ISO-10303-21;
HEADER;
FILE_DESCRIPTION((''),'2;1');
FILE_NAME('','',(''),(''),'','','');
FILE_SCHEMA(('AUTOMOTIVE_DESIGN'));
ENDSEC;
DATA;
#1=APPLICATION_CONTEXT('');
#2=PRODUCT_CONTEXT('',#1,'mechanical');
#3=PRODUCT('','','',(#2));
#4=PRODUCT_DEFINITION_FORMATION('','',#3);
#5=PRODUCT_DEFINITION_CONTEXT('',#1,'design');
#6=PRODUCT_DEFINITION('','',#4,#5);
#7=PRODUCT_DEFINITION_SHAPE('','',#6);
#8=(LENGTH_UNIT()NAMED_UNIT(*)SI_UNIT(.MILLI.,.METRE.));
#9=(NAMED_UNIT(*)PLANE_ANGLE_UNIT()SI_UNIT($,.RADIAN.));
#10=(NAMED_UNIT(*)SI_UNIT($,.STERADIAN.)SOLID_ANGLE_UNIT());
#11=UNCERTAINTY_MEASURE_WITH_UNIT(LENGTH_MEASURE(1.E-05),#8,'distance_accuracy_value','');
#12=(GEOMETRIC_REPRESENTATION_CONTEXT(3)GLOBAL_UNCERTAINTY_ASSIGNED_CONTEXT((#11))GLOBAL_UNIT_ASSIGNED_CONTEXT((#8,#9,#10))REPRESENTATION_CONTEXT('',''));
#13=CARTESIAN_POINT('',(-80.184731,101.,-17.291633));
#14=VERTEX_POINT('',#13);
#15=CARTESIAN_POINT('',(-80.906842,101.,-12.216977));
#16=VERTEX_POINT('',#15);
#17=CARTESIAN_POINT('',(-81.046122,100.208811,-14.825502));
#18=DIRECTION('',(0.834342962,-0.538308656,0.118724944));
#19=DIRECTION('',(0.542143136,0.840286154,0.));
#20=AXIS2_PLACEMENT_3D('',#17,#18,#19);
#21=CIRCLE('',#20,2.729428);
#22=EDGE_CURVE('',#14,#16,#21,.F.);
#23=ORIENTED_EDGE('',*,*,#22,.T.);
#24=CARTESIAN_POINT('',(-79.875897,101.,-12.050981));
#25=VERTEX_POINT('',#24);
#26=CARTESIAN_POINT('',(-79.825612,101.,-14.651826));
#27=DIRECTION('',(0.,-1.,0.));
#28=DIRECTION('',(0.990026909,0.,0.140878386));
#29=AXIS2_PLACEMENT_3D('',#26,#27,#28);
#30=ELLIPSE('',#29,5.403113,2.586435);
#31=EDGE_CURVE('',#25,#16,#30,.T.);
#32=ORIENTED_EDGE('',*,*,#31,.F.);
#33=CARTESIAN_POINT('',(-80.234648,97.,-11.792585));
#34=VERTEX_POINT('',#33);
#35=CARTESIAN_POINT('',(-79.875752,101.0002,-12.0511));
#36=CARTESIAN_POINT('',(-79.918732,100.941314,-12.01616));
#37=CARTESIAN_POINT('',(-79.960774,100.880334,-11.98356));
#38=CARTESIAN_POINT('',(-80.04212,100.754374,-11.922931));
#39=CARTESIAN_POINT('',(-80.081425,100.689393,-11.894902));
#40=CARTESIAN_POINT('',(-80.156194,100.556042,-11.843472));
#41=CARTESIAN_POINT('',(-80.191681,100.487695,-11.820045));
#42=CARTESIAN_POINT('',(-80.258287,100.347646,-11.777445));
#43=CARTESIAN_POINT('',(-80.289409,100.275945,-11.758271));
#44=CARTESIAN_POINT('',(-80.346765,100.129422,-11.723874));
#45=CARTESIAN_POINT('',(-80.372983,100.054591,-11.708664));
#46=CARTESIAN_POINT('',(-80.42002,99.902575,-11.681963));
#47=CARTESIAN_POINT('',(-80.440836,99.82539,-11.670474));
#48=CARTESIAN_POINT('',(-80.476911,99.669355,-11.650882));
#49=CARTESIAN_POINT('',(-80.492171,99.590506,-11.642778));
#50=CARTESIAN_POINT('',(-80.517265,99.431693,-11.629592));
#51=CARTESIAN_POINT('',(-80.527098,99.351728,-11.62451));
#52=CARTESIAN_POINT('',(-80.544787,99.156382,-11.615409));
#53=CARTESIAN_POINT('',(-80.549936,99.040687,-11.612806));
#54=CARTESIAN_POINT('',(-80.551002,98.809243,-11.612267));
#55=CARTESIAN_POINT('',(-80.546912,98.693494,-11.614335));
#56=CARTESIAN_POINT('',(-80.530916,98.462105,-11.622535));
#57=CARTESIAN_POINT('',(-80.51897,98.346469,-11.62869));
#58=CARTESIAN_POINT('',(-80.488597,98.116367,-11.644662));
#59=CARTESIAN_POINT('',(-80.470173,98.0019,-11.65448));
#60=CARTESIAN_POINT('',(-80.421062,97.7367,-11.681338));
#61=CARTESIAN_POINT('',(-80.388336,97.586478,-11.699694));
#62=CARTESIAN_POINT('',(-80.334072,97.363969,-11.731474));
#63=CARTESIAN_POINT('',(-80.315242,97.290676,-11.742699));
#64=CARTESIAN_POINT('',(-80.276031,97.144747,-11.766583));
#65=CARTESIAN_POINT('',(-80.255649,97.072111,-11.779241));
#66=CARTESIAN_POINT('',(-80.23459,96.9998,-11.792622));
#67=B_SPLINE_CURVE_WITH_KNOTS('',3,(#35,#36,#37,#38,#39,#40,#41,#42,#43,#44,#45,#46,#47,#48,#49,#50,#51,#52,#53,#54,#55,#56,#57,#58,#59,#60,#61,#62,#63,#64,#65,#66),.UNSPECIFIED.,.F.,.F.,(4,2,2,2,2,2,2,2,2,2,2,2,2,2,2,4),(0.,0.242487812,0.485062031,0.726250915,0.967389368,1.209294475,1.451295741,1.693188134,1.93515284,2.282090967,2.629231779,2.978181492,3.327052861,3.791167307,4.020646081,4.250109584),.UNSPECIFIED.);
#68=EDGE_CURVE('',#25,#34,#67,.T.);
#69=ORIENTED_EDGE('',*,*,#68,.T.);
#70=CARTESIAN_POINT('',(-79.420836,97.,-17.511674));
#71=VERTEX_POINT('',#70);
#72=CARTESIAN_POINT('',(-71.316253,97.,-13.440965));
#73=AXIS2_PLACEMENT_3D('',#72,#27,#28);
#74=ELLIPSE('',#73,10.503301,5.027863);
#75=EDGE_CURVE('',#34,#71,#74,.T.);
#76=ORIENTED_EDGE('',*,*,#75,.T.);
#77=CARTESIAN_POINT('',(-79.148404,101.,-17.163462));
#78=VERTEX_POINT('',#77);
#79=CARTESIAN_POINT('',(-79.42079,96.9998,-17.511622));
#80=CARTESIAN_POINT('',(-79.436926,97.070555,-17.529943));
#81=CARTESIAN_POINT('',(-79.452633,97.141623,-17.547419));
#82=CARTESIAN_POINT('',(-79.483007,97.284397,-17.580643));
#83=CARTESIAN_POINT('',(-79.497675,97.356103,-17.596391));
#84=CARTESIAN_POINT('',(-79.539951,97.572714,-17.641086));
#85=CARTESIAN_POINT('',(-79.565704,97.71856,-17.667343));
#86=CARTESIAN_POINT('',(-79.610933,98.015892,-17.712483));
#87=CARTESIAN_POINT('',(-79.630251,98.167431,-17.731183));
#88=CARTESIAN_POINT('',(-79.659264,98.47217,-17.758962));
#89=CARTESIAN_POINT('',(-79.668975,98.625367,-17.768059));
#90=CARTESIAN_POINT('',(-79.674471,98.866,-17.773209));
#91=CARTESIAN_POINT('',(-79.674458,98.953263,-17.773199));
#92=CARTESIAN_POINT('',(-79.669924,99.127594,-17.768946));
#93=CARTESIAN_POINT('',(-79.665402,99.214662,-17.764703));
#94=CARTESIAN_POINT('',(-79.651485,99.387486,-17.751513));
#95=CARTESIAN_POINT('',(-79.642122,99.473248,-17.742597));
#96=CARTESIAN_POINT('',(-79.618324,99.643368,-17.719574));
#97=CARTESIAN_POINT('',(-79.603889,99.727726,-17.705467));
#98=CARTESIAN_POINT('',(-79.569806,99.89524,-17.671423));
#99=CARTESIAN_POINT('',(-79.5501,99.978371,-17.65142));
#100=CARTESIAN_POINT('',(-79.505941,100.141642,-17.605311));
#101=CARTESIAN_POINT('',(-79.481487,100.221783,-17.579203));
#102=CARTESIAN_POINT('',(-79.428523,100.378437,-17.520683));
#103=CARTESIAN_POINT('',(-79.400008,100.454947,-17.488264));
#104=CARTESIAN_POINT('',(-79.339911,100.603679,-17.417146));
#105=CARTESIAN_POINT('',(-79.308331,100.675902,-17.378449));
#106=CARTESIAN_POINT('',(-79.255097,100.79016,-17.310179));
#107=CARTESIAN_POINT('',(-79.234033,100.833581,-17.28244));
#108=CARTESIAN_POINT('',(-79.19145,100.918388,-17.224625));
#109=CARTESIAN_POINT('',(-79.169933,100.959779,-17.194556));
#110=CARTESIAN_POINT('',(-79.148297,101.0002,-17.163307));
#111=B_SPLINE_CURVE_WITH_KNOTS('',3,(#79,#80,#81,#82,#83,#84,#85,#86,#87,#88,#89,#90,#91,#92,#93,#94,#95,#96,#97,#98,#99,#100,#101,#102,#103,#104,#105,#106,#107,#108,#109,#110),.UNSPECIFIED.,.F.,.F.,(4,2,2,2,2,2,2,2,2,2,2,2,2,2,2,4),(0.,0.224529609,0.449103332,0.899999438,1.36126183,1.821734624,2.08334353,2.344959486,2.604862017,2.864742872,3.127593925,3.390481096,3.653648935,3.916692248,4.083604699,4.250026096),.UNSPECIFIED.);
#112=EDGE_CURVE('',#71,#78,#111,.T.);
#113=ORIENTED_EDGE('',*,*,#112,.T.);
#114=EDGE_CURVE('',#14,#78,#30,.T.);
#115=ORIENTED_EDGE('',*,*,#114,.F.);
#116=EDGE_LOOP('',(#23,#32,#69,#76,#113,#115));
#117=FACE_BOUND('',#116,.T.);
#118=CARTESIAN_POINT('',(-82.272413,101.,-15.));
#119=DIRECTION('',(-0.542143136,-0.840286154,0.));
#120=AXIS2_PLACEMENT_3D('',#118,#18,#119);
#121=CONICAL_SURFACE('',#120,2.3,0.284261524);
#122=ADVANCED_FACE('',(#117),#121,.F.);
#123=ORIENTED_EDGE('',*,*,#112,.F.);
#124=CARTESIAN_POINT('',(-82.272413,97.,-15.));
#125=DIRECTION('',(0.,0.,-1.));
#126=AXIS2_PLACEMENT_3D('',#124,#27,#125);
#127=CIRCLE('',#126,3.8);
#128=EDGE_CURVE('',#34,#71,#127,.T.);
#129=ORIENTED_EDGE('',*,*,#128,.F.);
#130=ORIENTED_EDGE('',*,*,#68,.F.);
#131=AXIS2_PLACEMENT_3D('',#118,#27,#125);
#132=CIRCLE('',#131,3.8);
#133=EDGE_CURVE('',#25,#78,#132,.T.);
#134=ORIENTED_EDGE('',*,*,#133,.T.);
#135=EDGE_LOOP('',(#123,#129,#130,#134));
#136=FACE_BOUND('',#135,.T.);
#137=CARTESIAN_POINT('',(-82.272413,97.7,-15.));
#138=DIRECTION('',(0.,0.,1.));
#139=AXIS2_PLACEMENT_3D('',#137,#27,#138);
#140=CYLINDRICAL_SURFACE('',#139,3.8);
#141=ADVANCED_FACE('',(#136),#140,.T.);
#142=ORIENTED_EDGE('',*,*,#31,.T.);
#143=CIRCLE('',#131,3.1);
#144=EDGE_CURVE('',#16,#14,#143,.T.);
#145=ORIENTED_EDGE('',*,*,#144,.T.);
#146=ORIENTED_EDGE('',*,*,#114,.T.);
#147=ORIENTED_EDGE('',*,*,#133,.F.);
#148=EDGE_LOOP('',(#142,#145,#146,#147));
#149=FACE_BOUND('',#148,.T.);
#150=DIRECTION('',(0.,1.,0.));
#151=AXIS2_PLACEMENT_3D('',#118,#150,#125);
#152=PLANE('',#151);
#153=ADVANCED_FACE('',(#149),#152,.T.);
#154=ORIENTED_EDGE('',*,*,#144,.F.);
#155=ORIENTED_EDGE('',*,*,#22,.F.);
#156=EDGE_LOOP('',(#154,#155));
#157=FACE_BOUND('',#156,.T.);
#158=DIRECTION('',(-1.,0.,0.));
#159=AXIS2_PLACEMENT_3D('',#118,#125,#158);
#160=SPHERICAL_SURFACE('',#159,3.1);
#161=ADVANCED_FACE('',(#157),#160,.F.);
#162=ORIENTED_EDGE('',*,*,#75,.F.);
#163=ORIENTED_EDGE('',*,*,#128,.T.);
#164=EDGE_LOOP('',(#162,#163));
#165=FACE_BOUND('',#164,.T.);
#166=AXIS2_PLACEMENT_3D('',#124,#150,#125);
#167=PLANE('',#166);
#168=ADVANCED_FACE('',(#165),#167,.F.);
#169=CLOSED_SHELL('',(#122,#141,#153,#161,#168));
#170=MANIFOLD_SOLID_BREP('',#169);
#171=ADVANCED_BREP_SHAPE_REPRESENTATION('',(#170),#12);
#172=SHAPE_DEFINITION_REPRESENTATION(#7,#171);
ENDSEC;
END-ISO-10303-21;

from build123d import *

# Parameters (mm, degrees)
KEYED_BACK_DEPTH   = 0.7
CUP_BLANK_SKETCH_R = 3.8
CUP_BLANK_DEPTH    = 3.3


with BuildPart() as part:
    # Keyed Back Sketch → Keyed Back (new body)
    with BuildSketch(Plane(origin=(0, -97, 0), x_dir=(-1, 0, 0), z_dir=(0, -1, 0))):
        with BuildLine():
            Line((79.27241336, 17.332380758), (79.27241336, 12.667619242))
            ThreePointArc((79.27241336, 12.667619242), (86.07241336, 15), (79.27241336, 17.332380758))
        make_face()
    extrude(amount=KEYED_BACK_DEPTH)

    # Cup Blank Sketch → Cup Blank (add)
    with BuildSketch(Plane(origin=(0, -97.7, 0), x_dir=(-1, 0, 0), z_dir=(0, -1, 0))):
        with Locations(Location((82.27241336, 15, 0), (0, 0, 217.863646362))):
            Circle(CUP_BLANK_SKETCH_R)
    extrude(amount=CUP_BLANK_DEPTH)

    # Spherical Bearing Seat profile → Spherical Bearing Seat (revolve, cut)
    with BuildSketch(Plane(origin=(0, -101, 0), x_dir=(-1, 0, 0), z_dir=(0, -1, 0))):
        with BuildLine():
            Line((82.27241336, 11.9), (82.27241336, 18.1))
            ThreePointArc((82.27241336, 18.1), (79.17241336, 15), (82.27241336, 11.9))
        make_face()
    revolve(axis=Axis((-82.27241336, -101, -25), (0, 0, 1)), mode=Mode.SUBTRACT)

    # Articulation Throat Sketch → Articulation Throat (revolve, cut)
    with BuildSketch(Plane(origin=(21.848129609, -32.292361412, -7.122138515), x_dir=(-0.8343429620590533, -0.5383086561091639, -0.11872494439026368), z_dir=(0.551245699903886, -0.8147619813060819, -0.17969722356136375))):
        Polygon((124.793457491, -7.104979762), (124.793457491, -4.804979762), (101.793457491, 1.915020238), (101.793457491, -7.104979762), align=None)
    revolve(axis=Axis((-90.61584298, -106.383086561, -16.187249444), (0.8343429620590537, 0.5383086561091633, 0.11872494439026321)), mode=Mode.SUBTRACT)


with BuildPart() as body_2:
    # Mirror1: mirrored copy
    add(part.part.mirror(Plane(origin=(0, 0, 0), x_dir=(0, 0, 1), z_dir=(0, -1, 0))))


solid = body_2.part
